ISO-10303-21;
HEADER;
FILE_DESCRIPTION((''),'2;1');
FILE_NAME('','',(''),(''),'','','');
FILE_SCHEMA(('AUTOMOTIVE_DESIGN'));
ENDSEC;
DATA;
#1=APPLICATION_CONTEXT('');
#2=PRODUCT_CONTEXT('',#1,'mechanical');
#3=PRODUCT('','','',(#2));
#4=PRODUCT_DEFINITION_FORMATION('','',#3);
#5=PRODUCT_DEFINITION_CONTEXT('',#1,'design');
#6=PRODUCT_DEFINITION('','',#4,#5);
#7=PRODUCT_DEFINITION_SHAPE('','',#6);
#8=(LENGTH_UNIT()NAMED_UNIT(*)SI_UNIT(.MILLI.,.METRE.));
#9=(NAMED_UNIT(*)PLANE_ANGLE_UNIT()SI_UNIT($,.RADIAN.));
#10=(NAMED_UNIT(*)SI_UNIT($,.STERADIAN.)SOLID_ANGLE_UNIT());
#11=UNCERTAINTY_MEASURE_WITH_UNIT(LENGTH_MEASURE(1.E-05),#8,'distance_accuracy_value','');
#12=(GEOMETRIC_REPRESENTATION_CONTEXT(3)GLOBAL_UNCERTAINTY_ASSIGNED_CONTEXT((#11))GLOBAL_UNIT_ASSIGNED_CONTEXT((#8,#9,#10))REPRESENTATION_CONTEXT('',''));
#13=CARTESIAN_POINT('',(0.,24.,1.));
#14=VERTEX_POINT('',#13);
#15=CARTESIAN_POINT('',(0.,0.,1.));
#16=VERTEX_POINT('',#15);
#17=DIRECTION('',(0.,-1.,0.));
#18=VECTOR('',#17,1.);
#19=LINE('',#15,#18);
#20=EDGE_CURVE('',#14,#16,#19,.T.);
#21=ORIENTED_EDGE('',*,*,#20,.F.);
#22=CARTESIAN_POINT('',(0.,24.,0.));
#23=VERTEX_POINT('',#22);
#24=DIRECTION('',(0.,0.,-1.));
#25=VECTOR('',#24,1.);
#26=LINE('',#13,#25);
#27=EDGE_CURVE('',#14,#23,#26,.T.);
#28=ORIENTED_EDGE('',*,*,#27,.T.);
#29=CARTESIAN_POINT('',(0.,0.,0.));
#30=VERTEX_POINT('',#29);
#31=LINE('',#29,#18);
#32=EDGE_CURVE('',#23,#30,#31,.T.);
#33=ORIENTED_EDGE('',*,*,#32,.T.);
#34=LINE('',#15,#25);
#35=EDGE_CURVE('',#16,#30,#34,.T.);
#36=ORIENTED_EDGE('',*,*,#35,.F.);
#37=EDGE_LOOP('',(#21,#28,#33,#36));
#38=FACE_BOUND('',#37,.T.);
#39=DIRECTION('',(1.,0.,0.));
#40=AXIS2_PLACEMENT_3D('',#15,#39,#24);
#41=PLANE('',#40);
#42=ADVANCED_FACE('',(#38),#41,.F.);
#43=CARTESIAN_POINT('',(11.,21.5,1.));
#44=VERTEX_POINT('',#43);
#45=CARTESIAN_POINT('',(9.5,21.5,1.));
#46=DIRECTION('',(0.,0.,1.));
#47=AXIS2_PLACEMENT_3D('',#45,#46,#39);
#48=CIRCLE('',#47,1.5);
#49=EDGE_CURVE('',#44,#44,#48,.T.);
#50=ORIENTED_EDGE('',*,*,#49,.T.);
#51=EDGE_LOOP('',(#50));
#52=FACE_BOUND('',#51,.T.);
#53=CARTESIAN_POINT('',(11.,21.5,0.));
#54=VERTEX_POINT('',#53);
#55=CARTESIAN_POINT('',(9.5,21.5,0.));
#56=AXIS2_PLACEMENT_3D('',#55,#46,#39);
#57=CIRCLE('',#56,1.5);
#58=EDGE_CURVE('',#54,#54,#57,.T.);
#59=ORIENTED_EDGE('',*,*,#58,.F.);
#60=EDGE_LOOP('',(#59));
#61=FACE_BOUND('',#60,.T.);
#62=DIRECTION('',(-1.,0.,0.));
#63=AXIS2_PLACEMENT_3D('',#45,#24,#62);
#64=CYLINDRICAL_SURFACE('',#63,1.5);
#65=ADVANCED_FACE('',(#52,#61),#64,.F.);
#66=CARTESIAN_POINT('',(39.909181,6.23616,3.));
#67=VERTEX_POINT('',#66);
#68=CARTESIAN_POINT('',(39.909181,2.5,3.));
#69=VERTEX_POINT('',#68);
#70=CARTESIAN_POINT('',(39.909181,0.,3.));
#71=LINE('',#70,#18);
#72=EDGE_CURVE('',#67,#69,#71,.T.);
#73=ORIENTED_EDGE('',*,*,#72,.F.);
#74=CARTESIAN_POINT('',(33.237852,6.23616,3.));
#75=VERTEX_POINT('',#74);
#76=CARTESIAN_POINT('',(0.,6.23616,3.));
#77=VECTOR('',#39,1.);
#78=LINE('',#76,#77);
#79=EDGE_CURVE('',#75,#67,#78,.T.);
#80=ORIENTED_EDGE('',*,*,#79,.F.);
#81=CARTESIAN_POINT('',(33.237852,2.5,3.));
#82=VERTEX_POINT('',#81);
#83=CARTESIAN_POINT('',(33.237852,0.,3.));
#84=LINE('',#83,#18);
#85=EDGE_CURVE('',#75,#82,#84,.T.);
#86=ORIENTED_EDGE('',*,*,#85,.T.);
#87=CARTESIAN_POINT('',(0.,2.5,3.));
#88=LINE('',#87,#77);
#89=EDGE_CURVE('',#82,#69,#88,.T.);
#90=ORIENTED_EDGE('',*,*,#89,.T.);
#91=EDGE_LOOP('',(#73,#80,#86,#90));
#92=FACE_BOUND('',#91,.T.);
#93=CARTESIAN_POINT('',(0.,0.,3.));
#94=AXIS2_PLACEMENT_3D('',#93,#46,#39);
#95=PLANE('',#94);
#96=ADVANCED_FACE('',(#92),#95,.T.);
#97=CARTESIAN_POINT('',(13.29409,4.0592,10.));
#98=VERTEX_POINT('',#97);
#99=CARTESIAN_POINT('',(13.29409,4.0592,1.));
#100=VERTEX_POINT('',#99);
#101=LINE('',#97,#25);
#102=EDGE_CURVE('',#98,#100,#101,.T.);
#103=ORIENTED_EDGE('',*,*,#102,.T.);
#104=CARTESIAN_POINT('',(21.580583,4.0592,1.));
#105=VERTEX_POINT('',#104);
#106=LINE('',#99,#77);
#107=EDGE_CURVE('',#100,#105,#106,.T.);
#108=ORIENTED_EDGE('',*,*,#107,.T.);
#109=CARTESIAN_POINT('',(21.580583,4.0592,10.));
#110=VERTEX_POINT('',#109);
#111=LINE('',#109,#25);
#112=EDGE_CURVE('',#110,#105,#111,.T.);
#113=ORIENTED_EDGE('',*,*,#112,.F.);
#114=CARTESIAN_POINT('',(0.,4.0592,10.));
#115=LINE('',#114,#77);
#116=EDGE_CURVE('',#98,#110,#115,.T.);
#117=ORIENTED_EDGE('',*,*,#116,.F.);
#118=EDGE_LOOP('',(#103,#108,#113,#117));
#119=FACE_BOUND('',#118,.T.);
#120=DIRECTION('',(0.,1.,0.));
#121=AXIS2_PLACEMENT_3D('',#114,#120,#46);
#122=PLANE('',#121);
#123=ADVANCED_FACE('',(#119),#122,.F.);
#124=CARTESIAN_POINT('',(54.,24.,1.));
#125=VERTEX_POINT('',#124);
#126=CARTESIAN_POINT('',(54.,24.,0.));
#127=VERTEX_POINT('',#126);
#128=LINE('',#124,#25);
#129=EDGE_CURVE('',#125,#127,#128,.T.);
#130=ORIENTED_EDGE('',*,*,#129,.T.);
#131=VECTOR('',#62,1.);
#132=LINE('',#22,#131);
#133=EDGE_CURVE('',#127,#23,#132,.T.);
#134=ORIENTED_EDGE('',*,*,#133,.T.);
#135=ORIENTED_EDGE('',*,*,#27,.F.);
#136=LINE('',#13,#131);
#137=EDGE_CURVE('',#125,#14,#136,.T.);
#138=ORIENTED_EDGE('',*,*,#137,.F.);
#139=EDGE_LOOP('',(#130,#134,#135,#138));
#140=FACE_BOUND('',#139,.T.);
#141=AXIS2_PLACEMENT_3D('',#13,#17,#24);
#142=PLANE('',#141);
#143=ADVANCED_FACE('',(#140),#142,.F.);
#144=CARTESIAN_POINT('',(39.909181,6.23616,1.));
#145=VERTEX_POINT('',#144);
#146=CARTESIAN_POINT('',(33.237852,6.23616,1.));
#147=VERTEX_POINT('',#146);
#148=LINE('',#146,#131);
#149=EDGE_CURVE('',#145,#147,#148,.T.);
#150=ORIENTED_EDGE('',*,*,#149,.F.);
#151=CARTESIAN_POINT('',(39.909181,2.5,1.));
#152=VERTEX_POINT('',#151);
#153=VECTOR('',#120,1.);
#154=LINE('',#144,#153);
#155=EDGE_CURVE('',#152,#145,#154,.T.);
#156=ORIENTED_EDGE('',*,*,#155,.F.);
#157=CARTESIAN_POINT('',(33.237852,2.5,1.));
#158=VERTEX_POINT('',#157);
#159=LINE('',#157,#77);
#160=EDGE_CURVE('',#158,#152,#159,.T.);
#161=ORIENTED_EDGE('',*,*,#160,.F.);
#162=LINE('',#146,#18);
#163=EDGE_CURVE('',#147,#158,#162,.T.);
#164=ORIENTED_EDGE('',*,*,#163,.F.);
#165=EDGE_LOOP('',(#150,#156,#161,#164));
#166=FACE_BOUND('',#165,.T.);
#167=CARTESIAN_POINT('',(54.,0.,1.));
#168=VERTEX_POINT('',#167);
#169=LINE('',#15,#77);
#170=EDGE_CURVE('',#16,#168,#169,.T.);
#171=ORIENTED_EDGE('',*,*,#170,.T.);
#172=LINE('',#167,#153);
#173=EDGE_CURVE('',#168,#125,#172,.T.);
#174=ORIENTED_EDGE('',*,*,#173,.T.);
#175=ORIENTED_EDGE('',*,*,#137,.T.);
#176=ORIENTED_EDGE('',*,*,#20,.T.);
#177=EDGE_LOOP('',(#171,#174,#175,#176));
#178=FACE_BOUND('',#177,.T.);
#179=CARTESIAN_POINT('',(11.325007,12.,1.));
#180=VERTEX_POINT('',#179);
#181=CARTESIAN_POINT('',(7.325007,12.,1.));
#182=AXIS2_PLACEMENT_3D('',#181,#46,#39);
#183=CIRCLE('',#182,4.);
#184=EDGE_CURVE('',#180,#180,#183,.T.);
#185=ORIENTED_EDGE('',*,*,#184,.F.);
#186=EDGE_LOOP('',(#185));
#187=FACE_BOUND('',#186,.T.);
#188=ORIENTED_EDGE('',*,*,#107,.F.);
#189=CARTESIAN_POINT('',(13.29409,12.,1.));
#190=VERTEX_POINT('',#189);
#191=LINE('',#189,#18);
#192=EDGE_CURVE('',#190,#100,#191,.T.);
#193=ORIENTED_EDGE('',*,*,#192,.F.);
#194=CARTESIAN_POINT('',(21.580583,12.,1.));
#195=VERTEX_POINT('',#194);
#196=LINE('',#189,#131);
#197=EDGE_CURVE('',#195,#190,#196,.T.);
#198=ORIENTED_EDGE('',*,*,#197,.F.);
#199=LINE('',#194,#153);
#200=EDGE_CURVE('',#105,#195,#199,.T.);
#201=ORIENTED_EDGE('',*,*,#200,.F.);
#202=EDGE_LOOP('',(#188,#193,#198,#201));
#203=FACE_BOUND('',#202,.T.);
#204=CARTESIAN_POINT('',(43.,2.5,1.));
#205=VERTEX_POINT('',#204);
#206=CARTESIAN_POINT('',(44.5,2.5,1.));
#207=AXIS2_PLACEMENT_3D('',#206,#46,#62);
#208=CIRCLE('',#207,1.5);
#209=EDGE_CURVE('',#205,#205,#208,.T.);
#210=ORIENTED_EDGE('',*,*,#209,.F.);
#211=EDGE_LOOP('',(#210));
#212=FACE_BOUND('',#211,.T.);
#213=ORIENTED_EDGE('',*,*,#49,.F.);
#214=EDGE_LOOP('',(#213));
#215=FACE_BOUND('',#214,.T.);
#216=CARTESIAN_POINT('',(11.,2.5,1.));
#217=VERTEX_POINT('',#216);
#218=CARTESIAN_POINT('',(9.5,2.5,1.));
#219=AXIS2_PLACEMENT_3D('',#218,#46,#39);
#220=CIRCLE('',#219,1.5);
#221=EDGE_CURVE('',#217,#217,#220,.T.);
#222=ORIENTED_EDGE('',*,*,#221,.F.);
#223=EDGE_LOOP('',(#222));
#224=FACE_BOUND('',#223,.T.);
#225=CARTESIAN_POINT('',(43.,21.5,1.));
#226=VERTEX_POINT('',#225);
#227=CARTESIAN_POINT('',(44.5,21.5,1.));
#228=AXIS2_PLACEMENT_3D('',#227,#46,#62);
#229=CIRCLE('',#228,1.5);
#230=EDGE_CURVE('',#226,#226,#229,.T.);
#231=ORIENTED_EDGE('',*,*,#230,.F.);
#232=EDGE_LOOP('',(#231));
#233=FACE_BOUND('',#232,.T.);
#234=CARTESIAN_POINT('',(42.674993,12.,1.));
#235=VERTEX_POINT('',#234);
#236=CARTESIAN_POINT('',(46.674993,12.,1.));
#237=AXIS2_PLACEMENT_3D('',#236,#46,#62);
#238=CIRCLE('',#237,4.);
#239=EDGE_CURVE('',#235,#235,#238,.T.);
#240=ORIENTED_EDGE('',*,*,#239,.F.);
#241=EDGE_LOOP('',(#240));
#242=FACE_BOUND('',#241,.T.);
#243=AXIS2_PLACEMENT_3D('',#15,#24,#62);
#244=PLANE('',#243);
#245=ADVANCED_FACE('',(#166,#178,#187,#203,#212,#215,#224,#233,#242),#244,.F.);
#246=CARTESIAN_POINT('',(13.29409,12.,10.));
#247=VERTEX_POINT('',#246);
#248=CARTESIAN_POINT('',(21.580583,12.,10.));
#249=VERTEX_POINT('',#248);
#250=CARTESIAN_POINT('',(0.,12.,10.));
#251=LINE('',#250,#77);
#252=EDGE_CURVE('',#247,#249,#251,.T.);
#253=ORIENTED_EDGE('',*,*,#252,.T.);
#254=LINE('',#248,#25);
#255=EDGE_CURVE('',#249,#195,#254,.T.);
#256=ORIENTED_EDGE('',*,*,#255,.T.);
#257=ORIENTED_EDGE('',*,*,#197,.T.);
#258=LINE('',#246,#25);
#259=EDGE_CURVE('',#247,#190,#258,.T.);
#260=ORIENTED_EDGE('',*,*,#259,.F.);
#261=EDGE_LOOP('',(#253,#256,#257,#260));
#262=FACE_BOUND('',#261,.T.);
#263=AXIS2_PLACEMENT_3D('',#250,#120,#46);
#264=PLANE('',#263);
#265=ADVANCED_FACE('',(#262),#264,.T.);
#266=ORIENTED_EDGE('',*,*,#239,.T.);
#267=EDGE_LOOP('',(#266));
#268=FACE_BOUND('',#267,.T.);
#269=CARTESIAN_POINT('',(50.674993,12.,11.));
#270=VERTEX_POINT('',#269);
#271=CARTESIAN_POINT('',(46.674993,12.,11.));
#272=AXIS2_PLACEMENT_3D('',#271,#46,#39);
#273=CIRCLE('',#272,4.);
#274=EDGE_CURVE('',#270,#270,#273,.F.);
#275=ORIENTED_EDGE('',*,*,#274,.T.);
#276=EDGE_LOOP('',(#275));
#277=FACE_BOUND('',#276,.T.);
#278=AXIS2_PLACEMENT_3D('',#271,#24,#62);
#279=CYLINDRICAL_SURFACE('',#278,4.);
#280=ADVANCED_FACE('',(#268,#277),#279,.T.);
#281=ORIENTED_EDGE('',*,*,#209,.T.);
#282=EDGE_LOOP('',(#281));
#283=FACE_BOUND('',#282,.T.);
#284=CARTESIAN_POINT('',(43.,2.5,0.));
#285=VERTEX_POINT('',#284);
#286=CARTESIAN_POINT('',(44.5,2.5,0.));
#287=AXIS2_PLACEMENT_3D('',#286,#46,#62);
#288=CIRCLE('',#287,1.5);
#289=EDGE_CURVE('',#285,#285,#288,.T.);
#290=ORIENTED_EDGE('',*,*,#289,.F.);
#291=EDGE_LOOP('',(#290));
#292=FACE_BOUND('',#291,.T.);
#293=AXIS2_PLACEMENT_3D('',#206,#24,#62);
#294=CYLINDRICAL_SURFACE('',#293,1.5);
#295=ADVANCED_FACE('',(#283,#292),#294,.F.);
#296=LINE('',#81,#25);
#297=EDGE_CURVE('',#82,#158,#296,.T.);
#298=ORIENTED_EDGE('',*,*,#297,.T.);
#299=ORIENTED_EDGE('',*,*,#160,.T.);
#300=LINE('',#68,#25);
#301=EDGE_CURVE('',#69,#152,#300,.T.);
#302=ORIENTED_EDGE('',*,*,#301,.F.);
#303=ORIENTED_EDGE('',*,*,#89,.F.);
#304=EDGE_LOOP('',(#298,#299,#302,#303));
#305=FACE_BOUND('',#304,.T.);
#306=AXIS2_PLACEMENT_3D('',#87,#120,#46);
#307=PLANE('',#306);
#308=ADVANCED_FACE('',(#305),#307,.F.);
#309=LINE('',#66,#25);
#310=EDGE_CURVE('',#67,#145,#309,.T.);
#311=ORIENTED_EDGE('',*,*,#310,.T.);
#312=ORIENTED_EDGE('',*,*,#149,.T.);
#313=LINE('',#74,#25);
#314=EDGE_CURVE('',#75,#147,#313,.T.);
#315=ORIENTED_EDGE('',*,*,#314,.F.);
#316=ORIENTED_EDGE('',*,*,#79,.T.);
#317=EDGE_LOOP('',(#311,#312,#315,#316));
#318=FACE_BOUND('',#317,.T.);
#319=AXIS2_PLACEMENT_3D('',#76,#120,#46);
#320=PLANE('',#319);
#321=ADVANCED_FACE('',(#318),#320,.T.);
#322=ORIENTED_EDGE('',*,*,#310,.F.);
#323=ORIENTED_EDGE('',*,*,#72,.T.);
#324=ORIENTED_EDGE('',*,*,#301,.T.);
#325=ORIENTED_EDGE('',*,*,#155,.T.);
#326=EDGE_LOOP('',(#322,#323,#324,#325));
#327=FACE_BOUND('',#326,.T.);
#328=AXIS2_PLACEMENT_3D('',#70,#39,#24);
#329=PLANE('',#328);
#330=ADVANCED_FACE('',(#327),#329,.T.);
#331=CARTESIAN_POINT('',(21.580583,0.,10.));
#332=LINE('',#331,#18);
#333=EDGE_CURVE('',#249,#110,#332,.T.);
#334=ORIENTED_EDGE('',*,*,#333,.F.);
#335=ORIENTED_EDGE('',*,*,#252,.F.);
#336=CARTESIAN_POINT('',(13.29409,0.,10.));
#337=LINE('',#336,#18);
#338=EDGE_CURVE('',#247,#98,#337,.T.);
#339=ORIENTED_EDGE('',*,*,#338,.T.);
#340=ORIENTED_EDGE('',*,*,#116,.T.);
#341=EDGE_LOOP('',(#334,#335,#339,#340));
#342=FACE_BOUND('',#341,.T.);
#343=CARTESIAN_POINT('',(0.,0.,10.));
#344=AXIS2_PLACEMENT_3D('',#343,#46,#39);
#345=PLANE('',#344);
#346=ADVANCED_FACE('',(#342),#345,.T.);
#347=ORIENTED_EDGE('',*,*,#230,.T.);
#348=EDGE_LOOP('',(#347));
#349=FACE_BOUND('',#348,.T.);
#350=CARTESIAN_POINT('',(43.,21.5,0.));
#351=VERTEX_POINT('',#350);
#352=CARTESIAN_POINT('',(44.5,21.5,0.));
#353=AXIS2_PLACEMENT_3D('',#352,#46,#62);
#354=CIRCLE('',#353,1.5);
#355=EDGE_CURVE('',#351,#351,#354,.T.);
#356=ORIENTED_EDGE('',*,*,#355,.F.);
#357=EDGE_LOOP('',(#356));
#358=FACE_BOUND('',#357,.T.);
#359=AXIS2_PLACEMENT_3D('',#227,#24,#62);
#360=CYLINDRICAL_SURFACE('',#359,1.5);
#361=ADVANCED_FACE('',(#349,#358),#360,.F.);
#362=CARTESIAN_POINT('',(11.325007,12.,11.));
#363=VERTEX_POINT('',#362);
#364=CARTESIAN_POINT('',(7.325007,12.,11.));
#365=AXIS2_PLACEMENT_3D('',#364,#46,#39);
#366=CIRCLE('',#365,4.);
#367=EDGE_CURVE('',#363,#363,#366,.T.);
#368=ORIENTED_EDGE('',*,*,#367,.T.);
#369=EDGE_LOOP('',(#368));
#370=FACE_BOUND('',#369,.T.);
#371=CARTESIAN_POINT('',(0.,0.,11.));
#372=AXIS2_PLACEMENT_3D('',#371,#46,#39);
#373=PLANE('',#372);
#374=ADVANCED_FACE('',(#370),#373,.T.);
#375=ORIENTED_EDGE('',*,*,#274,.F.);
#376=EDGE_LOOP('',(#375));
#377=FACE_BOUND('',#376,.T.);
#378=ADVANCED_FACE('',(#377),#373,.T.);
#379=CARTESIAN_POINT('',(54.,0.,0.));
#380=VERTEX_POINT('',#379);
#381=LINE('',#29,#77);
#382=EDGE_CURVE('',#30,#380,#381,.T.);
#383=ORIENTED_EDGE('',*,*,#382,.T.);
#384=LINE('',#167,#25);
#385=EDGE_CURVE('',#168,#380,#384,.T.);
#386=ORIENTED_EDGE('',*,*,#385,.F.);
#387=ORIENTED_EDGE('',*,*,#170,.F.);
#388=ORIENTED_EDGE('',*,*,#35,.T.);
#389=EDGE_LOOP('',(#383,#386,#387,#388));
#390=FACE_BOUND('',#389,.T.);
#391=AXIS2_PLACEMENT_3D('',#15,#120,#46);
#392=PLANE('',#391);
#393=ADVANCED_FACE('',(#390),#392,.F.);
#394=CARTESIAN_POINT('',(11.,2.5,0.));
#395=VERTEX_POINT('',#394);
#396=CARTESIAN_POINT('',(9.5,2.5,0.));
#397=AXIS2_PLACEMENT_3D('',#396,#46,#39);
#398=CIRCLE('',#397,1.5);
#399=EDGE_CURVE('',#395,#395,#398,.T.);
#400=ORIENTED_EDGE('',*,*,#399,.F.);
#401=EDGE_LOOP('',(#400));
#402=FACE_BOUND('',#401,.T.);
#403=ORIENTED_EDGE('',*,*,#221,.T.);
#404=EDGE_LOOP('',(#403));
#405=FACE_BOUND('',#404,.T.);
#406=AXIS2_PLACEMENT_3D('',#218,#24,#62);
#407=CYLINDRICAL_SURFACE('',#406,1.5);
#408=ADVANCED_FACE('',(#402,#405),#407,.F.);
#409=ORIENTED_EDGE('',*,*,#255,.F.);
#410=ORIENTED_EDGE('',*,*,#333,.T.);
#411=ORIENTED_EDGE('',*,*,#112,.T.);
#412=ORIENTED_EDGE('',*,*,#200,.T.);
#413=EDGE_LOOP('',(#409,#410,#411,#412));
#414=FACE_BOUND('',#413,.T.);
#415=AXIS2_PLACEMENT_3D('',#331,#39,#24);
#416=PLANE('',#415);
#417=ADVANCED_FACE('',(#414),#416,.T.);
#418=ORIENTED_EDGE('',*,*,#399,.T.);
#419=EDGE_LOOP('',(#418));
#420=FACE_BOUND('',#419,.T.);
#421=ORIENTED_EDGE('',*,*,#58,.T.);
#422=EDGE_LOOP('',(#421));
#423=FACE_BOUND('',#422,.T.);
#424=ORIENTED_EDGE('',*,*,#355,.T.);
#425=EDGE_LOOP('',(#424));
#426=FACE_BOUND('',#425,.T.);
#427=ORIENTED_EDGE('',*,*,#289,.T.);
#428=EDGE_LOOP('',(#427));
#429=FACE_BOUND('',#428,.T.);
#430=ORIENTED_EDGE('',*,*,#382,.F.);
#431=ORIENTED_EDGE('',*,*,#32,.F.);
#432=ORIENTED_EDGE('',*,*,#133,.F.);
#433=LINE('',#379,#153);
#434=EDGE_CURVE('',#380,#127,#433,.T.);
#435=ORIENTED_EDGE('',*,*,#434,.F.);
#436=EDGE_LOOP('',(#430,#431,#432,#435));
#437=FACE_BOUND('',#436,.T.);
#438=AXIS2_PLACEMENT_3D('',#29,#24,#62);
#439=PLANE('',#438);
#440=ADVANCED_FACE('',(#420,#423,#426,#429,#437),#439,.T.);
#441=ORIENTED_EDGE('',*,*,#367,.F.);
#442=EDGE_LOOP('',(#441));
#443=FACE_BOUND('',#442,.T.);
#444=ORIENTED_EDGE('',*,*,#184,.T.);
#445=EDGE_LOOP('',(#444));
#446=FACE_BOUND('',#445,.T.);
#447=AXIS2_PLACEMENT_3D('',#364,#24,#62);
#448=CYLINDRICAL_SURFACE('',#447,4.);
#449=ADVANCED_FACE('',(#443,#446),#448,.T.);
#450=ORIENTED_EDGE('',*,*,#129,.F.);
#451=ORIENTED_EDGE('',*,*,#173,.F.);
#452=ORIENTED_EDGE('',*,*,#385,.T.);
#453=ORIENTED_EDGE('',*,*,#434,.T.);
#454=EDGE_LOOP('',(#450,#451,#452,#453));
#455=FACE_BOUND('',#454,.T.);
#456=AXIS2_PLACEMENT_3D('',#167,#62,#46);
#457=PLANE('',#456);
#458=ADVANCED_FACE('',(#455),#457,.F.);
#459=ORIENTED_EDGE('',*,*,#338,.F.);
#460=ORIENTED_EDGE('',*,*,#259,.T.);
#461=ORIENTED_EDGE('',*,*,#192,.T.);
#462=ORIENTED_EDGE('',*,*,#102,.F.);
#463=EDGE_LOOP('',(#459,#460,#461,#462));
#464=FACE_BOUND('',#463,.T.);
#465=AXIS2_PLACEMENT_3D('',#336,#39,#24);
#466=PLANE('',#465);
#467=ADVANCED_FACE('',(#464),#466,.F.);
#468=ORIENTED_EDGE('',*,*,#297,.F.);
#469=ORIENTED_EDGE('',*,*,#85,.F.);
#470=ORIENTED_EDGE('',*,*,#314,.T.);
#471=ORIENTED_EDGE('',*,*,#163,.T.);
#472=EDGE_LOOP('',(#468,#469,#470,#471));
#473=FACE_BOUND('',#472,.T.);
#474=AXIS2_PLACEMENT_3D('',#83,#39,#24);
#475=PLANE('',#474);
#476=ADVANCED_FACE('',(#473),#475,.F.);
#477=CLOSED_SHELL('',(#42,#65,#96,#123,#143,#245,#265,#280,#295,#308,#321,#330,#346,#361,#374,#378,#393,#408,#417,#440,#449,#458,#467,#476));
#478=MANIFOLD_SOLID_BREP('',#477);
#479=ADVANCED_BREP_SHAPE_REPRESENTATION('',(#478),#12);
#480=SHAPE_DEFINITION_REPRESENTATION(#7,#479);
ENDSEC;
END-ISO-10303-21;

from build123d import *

# Parameters (mm, degrees)
SKETCH1_W           = 54
SKETCH1_H           = 24
SKETCH1_R           = 1.5
SKETCH1_R_2         = 4
SKETCH1_W_2         = 6.671328762
SKETCH1_H_2         = 3.736160039
SKETCH1_W_3         = 8.286492568
SKETCH1_H_3         = 7.940799873
BOSS_EXTRUDE1_DEPTH = 1
SKETCH1_2_R         = 4
BOSS_EXTRUDE2_DEPTH = 11
SKETCH1_3_W         = 8.286492568
SKETCH1_3_H         = 7.940799873
BOSS_EXTRUDE3_DEPTH = 10
SKETCH1_4_W         = 6.671328762
SKETCH1_4_H         = 3.736160039
BOSS_EXTRUDE4_DEPTH = 3


with BuildPart() as part:
    # Sketch1 → Boss-Extrude1 (new body)
    with BuildSketch(Plane.XY):
        with Locations((27, 12)):
            Rectangle(SKETCH1_W, SKETCH1_H)
        with Locations((9.5, 21.5)):
            Circle(SKETCH1_R, mode=Mode.SUBTRACT)
        with Locations((9.5, 2.5)):
            Circle(SKETCH1_R, mode=Mode.SUBTRACT)
        with Locations((44.5, 2.5)):
            Circle(SKETCH1_R, mode=Mode.SUBTRACT)
        with Locations((44.5, 21.5)):
            Circle(SKETCH1_R, mode=Mode.SUBTRACT)
        with Locations((7.325006642, 12)):
            Circle(SKETCH1_R_2, mode=Mode.SUBTRACT)
        with Locations((46.674993358, 12)):
            Circle(SKETCH1_R_2, mode=Mode.SUBTRACT)
        with Locations((36.573516425, 4.36808002)):
            Rectangle(SKETCH1_W_2, SKETCH1_H_2, mode=Mode.SUBTRACT)
        with Locations((17.437336555, 8.029600064)):
            Rectangle(SKETCH1_W_3, SKETCH1_H_3, mode=Mode.SUBTRACT)
    extrude(amount=BOSS_EXTRUDE1_DEPTH)

    # Sketch1<2> → Boss-Extrude2 (add)
    with BuildSketch(Plane.XY):
        with Locations((7.325006642, 12)):
            Circle(SKETCH1_2_R)
        with Locations((46.674993358, 12)):
            Circle(SKETCH1_2_R)
    extrude(amount=BOSS_EXTRUDE2_DEPTH)

    # Sketch1<3> → Boss-Extrude3 (add)
    with BuildSketch(Plane.XY):
        with Locations((17.437336555, 8.029600064)):
            Rectangle(SKETCH1_3_W, SKETCH1_3_H)
    extrude(amount=BOSS_EXTRUDE3_DEPTH)

    # Sketch1<4> → Boss-Extrude4 (add)
    with BuildSketch(Plane.XY):
        with Locations((36.573516425, 4.36808002)):
            Rectangle(SKETCH1_4_W, SKETCH1_4_H)
    extrude(amount=BOSS_EXTRUDE4_DEPTH)


solid = part.part
